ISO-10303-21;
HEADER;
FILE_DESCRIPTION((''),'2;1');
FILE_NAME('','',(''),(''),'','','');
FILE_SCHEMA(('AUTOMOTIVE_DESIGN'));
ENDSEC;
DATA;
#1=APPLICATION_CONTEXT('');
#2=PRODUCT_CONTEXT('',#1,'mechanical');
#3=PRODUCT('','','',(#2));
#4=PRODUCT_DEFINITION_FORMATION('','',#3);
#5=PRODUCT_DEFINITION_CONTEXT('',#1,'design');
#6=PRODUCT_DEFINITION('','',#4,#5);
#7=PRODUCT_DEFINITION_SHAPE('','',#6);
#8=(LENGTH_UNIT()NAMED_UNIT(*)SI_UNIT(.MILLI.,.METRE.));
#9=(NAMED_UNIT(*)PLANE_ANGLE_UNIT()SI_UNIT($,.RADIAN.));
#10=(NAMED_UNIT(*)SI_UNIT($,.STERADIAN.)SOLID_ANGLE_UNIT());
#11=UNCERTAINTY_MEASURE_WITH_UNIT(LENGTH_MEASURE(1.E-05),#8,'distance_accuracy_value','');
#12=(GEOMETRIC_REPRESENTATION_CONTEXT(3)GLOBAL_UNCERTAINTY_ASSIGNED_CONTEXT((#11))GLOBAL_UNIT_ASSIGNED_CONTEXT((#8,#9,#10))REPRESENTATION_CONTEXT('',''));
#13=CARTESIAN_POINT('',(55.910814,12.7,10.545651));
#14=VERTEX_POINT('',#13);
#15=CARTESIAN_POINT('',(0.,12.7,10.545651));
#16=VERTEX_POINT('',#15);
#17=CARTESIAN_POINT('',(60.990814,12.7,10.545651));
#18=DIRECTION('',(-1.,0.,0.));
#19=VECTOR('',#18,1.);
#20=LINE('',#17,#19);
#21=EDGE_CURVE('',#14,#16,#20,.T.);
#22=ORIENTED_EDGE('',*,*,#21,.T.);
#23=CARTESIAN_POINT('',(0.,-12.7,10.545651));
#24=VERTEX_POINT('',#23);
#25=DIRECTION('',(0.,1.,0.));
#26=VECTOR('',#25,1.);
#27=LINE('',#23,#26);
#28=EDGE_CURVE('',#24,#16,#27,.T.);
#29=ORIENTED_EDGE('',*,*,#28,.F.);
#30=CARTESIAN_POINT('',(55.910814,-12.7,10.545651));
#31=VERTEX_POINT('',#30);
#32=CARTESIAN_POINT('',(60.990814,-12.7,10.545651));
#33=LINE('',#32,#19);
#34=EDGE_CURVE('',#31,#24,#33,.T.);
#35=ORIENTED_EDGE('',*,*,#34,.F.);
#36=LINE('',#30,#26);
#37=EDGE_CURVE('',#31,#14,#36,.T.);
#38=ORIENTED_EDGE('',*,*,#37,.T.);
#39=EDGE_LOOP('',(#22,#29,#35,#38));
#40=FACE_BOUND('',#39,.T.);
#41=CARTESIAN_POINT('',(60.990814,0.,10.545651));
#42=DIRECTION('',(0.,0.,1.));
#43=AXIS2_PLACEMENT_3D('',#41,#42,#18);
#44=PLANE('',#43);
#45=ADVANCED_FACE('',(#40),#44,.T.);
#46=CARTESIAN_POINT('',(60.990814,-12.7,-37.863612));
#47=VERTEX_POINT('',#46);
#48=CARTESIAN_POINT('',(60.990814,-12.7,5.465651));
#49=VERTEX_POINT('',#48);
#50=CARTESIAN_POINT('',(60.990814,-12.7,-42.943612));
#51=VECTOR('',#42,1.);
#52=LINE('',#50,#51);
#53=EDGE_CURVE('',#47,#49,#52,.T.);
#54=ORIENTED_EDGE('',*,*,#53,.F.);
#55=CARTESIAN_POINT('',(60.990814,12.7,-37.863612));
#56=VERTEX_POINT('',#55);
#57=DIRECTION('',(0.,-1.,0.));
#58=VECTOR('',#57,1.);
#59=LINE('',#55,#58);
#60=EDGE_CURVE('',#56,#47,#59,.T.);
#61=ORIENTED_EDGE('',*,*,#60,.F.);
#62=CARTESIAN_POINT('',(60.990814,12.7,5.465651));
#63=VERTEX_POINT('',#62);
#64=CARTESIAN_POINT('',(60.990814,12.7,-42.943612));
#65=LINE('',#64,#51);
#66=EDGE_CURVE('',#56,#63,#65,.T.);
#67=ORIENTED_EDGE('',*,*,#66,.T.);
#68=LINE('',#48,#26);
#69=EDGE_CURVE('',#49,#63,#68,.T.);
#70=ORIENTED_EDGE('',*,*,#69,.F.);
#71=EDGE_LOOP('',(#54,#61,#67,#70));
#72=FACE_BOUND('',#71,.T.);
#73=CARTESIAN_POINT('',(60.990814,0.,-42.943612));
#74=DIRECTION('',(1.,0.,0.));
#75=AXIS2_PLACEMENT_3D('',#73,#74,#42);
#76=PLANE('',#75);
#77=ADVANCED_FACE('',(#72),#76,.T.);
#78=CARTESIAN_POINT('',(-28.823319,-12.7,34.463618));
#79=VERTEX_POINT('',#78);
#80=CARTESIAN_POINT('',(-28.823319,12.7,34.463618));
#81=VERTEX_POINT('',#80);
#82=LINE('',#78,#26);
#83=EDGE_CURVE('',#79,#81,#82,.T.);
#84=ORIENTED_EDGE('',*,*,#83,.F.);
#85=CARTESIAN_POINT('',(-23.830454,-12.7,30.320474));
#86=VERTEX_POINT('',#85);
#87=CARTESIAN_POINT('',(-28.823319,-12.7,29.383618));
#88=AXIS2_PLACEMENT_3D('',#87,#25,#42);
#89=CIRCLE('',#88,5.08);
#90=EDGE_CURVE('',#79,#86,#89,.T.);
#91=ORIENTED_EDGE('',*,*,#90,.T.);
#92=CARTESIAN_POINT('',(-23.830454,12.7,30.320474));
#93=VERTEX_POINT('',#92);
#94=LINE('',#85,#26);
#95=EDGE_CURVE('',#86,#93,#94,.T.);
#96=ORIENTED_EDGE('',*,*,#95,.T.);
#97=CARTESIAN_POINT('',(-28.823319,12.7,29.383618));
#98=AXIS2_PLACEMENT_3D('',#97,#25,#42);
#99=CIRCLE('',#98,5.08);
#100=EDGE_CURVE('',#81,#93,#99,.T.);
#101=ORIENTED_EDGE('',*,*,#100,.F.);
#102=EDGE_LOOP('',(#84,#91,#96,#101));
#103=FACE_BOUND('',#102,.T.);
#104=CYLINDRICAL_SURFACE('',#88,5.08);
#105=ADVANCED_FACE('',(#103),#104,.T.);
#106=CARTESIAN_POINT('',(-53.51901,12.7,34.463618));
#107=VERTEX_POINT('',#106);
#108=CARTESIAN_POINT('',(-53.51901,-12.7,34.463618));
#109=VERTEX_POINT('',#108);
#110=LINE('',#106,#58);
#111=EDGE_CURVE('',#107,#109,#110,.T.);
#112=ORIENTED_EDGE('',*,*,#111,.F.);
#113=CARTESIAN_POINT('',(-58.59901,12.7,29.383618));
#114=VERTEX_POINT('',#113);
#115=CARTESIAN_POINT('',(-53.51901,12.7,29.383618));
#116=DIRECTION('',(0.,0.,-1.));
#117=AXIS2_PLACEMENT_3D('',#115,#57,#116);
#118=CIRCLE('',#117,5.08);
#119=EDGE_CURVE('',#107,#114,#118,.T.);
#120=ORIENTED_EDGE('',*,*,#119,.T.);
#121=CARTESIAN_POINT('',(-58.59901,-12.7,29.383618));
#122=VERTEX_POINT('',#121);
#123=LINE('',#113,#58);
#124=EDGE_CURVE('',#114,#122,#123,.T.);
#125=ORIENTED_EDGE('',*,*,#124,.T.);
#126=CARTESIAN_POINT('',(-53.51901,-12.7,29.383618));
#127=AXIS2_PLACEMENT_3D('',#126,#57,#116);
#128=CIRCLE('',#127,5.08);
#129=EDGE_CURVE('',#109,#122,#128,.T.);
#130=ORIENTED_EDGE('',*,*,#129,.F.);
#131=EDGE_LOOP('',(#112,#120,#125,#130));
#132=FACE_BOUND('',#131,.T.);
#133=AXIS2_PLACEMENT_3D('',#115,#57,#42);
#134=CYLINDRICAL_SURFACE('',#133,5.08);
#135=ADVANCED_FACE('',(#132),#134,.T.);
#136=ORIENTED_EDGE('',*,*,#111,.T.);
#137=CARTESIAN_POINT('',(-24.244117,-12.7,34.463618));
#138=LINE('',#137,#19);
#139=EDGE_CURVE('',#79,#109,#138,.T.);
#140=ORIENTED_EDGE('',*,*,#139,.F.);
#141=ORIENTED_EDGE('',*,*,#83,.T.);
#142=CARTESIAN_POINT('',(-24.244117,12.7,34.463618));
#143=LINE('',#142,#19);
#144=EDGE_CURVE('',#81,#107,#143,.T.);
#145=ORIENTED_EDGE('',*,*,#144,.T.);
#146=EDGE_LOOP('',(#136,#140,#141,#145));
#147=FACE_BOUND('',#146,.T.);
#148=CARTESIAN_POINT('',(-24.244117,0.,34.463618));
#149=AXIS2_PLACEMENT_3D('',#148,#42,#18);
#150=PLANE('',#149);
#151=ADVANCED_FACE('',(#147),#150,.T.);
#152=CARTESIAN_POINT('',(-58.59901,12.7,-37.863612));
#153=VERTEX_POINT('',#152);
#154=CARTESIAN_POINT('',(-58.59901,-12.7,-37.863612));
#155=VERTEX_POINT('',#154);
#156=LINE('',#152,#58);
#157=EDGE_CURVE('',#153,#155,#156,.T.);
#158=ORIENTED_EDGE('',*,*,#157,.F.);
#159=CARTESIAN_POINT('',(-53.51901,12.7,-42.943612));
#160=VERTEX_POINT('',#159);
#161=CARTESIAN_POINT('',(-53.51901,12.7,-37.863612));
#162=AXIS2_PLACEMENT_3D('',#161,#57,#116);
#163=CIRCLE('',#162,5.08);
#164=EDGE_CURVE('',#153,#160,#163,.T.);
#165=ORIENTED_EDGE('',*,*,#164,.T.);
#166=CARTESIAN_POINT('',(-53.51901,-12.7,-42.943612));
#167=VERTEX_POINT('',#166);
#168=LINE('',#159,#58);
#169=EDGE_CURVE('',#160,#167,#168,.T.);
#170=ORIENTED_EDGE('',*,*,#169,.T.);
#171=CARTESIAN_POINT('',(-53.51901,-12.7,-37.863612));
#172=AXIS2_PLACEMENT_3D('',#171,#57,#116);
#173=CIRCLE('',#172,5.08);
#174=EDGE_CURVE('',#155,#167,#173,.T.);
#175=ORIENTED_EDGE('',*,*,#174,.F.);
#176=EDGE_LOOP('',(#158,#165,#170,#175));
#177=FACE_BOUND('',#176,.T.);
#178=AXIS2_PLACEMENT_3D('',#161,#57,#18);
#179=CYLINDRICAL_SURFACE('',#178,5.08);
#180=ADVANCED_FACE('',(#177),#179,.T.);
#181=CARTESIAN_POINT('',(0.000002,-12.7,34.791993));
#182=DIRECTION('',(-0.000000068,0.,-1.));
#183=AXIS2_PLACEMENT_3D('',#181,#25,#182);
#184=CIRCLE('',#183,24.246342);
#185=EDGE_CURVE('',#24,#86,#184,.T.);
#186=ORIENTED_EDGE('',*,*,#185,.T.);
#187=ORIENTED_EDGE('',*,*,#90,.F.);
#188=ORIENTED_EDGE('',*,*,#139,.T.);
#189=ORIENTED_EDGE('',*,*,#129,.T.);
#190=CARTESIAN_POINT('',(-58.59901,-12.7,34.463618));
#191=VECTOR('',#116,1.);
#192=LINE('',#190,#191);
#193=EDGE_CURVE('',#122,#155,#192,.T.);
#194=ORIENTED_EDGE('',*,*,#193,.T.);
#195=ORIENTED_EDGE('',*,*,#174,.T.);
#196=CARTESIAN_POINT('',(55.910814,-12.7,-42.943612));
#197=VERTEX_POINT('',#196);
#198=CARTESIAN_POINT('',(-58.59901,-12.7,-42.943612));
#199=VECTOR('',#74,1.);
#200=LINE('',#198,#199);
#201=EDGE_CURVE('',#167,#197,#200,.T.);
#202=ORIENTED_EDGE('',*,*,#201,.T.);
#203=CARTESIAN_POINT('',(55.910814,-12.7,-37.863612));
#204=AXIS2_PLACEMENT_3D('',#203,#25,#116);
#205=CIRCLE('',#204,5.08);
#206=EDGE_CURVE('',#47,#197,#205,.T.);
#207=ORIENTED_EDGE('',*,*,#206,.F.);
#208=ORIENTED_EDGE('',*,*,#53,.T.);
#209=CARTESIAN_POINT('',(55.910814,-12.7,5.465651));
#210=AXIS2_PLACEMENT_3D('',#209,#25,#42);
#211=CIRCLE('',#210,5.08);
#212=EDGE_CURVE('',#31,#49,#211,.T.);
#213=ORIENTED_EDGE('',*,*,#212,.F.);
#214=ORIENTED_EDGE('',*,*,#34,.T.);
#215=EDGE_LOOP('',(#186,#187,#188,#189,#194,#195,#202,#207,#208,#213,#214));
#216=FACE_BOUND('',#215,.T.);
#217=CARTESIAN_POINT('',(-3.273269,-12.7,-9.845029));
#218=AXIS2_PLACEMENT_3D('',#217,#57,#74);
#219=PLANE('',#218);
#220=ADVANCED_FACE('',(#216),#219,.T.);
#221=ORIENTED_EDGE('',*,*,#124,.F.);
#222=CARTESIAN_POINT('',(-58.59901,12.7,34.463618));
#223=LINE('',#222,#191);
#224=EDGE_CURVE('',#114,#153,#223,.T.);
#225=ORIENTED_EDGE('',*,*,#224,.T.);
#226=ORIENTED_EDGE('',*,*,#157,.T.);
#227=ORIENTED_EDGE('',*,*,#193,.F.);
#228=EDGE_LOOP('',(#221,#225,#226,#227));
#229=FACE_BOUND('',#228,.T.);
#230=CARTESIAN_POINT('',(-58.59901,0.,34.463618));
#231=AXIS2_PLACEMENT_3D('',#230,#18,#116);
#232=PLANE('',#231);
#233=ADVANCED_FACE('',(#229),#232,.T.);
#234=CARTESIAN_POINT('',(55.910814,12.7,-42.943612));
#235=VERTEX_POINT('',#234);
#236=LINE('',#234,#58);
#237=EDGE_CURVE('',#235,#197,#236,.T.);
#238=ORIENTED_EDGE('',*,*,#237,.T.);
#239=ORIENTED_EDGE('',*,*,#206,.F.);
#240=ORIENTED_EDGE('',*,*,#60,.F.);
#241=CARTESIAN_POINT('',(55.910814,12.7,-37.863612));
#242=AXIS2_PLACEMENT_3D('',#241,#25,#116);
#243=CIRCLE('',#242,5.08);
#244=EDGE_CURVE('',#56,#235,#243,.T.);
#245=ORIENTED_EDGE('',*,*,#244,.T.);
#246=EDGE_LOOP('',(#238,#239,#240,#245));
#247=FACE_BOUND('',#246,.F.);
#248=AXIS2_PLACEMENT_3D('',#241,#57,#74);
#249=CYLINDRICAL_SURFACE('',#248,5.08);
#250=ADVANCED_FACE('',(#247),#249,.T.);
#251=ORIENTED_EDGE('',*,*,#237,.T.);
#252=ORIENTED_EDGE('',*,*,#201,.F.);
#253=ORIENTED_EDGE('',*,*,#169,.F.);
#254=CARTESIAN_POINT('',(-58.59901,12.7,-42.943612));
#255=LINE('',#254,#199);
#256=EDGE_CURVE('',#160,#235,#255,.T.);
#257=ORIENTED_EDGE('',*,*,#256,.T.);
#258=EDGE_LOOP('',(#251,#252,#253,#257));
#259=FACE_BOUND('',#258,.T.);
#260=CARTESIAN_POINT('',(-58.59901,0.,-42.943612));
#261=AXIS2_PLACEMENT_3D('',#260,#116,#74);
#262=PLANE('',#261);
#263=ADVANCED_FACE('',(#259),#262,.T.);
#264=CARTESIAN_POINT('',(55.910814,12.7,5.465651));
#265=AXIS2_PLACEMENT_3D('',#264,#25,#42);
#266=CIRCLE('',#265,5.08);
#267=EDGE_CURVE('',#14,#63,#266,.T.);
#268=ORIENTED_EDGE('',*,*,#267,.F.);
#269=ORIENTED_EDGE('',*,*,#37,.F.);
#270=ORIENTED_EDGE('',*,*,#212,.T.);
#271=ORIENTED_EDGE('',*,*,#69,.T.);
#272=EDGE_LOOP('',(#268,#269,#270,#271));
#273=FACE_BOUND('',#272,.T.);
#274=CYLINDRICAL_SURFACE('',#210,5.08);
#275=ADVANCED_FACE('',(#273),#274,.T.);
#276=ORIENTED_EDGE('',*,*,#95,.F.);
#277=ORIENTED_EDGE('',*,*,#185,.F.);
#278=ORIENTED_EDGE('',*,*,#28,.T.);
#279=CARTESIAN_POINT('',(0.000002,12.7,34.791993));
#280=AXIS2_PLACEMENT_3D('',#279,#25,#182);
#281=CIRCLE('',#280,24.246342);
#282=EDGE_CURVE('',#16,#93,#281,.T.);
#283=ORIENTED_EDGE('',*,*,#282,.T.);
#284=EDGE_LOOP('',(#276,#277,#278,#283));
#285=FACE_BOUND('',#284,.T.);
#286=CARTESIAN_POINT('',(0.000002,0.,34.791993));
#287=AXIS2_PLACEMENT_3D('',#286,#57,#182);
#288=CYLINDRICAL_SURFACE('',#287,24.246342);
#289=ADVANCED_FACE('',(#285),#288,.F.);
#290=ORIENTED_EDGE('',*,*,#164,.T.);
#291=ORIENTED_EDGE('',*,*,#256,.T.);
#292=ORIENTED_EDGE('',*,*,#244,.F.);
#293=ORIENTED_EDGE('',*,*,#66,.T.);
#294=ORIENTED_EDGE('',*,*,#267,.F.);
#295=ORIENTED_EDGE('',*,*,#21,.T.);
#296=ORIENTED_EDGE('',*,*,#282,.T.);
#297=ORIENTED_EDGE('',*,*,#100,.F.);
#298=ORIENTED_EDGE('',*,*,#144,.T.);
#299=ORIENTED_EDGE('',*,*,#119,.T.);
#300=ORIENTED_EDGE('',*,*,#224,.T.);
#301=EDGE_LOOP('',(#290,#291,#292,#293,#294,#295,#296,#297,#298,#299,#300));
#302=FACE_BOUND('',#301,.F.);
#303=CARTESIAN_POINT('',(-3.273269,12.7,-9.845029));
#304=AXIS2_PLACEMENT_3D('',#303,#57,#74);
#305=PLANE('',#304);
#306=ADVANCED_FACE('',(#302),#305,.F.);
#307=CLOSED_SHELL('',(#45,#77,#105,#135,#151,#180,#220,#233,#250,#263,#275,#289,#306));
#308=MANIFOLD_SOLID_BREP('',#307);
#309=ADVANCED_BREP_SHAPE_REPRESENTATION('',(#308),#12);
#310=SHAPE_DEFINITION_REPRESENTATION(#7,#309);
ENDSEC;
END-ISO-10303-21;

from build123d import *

# Parameters (mm, degrees)
F1_DEPTH = 12.7
F2_R     = 5.08
F3_R     = 5.08


with BuildPart() as f1:
    # F0 (on Front) → F1 (new body, symmetric)
    with BuildSketch(Plane.XZ):
        with BuildLine():
            Line((-24.244117, 34.463618), (-58.59901, 34.463618))
            Line((-58.59901, 34.463618), (-58.59901, -42.943612))
            Line((-58.59901, -42.943612), (60.990814, -42.943612))
            Line((60.990814, -42.943612), (60.990814, 10.545651))
            Line((60.990814, 10.545651), (0, 10.545651))
            ThreePointArc((0, 10.545651), (-17.028258, 17.531533), (-24.244117, 34.463618))
        make_face()
    extrude(amount=F1_DEPTH, both=True)

    # F2
    f2_edges = [f1.edges().sort_by_distance(p)[0] for p in [
        (-58.59901, 0, 34.463618),
        (60.990814, 0, 10.545651),
        (60.990814, 0, -42.943612),
    ]]
    fillet(f2_edges, radius=F2_R)

    # F3
    f3_edges = [f1.edges().sort_by_distance(p)[0] for p in [
        (-58.59901, 0, -42.943612),
        (-24.244117, 0, 34.463618),
    ]]
    fillet(f3_edges, radius=F3_R)


solid = f1.part
